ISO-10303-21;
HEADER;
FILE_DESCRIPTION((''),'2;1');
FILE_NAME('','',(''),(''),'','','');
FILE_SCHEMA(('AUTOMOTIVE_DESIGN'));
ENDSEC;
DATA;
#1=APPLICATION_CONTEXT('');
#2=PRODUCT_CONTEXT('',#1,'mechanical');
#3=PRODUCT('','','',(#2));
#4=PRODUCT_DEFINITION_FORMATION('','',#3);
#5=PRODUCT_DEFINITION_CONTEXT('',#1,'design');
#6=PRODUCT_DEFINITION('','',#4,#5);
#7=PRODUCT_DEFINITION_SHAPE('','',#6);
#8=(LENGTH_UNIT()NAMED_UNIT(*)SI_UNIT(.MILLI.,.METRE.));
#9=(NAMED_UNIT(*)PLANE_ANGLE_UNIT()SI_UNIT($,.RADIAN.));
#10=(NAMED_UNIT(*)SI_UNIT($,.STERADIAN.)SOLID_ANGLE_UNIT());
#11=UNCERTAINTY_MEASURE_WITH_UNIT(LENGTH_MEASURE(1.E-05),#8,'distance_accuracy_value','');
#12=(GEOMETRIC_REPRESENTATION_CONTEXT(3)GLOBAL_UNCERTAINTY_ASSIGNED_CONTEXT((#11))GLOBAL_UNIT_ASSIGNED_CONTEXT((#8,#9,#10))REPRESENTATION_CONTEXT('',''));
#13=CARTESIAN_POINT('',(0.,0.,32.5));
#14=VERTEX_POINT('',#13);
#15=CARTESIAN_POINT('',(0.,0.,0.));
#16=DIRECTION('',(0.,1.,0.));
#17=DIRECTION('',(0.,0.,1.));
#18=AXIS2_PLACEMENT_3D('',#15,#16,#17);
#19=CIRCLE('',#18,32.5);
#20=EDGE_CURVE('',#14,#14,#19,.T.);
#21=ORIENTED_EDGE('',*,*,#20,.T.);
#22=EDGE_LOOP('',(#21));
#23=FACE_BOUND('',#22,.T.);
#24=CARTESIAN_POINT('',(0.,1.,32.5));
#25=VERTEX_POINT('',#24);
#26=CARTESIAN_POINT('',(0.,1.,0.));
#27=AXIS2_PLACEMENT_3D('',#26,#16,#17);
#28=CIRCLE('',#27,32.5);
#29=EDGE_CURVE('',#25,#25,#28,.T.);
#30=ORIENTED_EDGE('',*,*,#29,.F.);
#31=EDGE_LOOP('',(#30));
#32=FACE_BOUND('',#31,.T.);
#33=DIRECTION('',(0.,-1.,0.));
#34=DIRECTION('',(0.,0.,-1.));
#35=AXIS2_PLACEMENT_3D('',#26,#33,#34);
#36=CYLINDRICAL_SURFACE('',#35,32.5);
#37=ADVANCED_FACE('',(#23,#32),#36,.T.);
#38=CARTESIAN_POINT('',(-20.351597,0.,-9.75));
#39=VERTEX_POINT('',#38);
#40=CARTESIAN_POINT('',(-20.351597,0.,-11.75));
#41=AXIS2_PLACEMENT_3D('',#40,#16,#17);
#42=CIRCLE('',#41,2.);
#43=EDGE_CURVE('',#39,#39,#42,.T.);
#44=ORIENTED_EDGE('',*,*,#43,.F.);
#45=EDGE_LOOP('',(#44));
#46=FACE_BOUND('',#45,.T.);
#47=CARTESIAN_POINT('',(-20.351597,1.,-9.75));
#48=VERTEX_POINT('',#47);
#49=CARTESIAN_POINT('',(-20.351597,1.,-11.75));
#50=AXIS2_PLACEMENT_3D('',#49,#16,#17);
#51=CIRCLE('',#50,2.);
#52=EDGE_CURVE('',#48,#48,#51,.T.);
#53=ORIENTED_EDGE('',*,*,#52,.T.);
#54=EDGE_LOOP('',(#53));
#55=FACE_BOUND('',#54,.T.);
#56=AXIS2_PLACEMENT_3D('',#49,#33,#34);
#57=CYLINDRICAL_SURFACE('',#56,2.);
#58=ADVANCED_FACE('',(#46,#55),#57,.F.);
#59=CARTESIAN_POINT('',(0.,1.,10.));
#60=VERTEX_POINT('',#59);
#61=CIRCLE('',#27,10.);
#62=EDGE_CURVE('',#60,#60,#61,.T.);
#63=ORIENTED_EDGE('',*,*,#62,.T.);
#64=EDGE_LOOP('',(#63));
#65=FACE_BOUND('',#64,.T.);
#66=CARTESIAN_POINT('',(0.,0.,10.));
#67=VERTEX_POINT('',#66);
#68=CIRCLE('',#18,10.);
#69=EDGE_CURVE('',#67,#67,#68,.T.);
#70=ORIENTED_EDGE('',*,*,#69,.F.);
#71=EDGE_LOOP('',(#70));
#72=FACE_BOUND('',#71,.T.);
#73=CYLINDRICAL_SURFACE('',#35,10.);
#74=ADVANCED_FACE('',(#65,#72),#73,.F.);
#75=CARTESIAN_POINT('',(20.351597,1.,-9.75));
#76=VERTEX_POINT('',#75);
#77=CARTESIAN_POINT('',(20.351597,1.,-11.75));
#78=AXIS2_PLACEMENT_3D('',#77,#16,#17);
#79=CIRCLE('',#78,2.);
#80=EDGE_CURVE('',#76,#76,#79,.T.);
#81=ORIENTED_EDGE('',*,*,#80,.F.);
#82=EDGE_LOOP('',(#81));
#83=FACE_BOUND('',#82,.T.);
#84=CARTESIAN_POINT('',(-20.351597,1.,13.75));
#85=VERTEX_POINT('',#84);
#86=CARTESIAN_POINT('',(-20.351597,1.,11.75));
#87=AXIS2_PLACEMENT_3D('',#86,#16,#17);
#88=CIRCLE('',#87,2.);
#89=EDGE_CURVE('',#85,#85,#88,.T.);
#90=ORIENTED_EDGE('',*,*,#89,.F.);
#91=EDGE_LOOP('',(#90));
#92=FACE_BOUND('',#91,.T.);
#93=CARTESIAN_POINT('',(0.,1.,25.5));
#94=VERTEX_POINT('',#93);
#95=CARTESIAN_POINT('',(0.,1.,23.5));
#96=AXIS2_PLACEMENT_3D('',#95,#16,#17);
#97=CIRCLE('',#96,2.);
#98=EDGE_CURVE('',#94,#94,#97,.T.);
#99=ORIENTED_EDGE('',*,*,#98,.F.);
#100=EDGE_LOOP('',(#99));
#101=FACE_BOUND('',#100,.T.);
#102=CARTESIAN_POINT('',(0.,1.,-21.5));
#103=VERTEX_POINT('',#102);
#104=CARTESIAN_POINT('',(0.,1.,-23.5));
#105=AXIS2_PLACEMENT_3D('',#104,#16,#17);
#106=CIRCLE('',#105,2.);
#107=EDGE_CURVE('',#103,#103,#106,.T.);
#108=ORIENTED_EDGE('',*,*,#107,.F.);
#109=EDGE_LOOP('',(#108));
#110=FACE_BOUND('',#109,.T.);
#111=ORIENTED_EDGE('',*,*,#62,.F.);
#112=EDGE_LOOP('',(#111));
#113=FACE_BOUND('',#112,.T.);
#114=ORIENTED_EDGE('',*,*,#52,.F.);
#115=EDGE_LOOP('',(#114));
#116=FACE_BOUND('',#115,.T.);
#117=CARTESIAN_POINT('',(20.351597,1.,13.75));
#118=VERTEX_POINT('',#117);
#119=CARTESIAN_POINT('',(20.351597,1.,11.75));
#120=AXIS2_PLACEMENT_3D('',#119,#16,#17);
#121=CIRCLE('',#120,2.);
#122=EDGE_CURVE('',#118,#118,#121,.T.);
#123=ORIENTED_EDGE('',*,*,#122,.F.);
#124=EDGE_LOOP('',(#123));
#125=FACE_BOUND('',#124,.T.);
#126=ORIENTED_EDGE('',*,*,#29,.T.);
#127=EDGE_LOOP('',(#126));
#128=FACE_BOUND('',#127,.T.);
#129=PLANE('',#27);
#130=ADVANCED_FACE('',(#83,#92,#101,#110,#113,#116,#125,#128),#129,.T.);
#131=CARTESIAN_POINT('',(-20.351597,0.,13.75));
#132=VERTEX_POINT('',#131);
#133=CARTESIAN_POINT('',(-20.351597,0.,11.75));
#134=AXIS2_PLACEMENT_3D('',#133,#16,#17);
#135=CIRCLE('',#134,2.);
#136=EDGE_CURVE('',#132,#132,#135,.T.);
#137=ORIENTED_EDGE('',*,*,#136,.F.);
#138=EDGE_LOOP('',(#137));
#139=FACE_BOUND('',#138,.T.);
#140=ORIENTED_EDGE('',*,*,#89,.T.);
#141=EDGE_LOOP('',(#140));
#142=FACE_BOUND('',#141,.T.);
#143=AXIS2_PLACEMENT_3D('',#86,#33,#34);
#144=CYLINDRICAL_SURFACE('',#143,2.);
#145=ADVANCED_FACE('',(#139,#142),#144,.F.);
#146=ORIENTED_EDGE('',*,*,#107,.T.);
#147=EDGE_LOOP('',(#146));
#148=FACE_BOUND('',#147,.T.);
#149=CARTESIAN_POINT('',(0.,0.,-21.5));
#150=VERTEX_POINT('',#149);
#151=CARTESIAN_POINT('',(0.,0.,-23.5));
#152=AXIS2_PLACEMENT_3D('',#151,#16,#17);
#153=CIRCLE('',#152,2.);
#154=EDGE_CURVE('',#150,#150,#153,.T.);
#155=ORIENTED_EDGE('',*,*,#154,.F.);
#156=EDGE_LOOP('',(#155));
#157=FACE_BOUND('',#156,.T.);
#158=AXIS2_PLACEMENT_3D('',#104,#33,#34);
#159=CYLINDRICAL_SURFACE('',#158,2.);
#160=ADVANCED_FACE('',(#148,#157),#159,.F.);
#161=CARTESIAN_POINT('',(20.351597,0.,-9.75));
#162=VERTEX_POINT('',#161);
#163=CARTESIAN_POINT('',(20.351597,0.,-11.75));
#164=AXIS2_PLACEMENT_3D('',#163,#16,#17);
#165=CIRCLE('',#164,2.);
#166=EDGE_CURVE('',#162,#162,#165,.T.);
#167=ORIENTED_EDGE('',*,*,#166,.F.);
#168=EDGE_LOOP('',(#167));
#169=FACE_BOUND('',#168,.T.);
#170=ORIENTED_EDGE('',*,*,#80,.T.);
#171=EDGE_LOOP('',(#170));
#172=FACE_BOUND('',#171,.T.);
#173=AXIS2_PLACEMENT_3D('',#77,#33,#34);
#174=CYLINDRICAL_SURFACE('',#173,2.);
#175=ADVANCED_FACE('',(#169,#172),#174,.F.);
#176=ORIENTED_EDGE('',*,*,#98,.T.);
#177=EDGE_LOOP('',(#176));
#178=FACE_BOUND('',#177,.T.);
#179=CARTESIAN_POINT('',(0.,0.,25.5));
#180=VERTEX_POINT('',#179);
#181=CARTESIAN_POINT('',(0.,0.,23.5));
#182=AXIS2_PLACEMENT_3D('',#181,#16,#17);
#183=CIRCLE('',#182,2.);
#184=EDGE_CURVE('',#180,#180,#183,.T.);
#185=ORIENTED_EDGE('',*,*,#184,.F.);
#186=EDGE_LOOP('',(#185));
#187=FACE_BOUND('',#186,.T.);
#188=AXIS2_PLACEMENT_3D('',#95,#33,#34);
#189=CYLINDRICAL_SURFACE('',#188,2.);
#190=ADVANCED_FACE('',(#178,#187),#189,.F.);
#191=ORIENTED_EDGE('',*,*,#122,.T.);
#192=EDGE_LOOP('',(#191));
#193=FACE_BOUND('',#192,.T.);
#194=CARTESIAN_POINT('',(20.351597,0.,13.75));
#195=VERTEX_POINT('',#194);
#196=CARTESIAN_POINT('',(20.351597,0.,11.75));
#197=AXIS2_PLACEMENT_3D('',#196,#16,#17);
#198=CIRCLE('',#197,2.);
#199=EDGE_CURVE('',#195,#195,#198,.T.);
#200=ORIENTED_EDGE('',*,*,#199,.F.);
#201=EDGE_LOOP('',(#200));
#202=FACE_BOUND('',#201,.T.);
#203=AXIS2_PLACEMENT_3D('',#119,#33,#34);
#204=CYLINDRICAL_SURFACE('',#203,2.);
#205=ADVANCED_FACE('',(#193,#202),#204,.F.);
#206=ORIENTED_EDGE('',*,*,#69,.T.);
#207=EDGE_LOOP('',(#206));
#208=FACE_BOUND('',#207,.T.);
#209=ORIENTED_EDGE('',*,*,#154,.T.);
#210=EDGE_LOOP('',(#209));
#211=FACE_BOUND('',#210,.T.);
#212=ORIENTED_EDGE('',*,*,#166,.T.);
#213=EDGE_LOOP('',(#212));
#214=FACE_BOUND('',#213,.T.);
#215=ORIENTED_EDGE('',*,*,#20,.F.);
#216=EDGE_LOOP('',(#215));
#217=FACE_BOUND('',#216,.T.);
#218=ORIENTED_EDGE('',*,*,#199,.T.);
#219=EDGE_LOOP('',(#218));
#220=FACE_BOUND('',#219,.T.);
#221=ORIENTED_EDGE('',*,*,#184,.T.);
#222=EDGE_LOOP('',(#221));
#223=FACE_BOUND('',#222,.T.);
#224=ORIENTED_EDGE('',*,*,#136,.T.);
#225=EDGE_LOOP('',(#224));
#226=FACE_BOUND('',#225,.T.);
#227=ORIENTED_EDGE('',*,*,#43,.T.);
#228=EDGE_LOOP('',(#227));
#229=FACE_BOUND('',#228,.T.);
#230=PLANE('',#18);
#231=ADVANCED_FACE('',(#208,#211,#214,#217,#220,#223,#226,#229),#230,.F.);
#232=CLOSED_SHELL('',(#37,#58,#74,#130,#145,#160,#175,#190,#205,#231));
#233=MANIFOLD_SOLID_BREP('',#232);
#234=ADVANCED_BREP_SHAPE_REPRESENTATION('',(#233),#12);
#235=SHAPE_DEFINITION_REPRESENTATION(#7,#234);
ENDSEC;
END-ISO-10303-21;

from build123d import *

# Parameters (mm, degrees)
SKETCH1_R           = 32.5
SKETCH1_R_2         = 10
SKETCH1_R_3         = 2
BOSS_EXTRUDE1_DEPTH = 1


with BuildPart() as part:
    # Sketch1 → Boss-Extrude1 (new body)
    with BuildSketch(Plane(origin=(0, 0, 0), x_dir=(1, 0, 0), z_dir=(0, 1, 0))):
        Circle(SKETCH1_R)
        Circle(SKETCH1_R_2, mode=Mode.SUBTRACT)
        with Locations((0, 23.5)):
            Circle(SKETCH1_R_3, mode=Mode.SUBTRACT)
        with Locations((20.351596989, 11.75)):
            Circle(SKETCH1_R_3, mode=Mode.SUBTRACT)
        with Locations((20.351596989, -11.75)):
            Circle(SKETCH1_R_3, mode=Mode.SUBTRACT)
        with Locations((0, -23.5)):
            Circle(SKETCH1_R_3, mode=Mode.SUBTRACT)
        with Locations((-20.351596989, -11.75)):
            Circle(SKETCH1_R_3, mode=Mode.SUBTRACT)
        with Locations((-20.351596989, 11.75)):
            Circle(SKETCH1_R_3, mode=Mode.SUBTRACT)
    extrude(amount=BOSS_EXTRUDE1_DEPTH)


solid = part.part
